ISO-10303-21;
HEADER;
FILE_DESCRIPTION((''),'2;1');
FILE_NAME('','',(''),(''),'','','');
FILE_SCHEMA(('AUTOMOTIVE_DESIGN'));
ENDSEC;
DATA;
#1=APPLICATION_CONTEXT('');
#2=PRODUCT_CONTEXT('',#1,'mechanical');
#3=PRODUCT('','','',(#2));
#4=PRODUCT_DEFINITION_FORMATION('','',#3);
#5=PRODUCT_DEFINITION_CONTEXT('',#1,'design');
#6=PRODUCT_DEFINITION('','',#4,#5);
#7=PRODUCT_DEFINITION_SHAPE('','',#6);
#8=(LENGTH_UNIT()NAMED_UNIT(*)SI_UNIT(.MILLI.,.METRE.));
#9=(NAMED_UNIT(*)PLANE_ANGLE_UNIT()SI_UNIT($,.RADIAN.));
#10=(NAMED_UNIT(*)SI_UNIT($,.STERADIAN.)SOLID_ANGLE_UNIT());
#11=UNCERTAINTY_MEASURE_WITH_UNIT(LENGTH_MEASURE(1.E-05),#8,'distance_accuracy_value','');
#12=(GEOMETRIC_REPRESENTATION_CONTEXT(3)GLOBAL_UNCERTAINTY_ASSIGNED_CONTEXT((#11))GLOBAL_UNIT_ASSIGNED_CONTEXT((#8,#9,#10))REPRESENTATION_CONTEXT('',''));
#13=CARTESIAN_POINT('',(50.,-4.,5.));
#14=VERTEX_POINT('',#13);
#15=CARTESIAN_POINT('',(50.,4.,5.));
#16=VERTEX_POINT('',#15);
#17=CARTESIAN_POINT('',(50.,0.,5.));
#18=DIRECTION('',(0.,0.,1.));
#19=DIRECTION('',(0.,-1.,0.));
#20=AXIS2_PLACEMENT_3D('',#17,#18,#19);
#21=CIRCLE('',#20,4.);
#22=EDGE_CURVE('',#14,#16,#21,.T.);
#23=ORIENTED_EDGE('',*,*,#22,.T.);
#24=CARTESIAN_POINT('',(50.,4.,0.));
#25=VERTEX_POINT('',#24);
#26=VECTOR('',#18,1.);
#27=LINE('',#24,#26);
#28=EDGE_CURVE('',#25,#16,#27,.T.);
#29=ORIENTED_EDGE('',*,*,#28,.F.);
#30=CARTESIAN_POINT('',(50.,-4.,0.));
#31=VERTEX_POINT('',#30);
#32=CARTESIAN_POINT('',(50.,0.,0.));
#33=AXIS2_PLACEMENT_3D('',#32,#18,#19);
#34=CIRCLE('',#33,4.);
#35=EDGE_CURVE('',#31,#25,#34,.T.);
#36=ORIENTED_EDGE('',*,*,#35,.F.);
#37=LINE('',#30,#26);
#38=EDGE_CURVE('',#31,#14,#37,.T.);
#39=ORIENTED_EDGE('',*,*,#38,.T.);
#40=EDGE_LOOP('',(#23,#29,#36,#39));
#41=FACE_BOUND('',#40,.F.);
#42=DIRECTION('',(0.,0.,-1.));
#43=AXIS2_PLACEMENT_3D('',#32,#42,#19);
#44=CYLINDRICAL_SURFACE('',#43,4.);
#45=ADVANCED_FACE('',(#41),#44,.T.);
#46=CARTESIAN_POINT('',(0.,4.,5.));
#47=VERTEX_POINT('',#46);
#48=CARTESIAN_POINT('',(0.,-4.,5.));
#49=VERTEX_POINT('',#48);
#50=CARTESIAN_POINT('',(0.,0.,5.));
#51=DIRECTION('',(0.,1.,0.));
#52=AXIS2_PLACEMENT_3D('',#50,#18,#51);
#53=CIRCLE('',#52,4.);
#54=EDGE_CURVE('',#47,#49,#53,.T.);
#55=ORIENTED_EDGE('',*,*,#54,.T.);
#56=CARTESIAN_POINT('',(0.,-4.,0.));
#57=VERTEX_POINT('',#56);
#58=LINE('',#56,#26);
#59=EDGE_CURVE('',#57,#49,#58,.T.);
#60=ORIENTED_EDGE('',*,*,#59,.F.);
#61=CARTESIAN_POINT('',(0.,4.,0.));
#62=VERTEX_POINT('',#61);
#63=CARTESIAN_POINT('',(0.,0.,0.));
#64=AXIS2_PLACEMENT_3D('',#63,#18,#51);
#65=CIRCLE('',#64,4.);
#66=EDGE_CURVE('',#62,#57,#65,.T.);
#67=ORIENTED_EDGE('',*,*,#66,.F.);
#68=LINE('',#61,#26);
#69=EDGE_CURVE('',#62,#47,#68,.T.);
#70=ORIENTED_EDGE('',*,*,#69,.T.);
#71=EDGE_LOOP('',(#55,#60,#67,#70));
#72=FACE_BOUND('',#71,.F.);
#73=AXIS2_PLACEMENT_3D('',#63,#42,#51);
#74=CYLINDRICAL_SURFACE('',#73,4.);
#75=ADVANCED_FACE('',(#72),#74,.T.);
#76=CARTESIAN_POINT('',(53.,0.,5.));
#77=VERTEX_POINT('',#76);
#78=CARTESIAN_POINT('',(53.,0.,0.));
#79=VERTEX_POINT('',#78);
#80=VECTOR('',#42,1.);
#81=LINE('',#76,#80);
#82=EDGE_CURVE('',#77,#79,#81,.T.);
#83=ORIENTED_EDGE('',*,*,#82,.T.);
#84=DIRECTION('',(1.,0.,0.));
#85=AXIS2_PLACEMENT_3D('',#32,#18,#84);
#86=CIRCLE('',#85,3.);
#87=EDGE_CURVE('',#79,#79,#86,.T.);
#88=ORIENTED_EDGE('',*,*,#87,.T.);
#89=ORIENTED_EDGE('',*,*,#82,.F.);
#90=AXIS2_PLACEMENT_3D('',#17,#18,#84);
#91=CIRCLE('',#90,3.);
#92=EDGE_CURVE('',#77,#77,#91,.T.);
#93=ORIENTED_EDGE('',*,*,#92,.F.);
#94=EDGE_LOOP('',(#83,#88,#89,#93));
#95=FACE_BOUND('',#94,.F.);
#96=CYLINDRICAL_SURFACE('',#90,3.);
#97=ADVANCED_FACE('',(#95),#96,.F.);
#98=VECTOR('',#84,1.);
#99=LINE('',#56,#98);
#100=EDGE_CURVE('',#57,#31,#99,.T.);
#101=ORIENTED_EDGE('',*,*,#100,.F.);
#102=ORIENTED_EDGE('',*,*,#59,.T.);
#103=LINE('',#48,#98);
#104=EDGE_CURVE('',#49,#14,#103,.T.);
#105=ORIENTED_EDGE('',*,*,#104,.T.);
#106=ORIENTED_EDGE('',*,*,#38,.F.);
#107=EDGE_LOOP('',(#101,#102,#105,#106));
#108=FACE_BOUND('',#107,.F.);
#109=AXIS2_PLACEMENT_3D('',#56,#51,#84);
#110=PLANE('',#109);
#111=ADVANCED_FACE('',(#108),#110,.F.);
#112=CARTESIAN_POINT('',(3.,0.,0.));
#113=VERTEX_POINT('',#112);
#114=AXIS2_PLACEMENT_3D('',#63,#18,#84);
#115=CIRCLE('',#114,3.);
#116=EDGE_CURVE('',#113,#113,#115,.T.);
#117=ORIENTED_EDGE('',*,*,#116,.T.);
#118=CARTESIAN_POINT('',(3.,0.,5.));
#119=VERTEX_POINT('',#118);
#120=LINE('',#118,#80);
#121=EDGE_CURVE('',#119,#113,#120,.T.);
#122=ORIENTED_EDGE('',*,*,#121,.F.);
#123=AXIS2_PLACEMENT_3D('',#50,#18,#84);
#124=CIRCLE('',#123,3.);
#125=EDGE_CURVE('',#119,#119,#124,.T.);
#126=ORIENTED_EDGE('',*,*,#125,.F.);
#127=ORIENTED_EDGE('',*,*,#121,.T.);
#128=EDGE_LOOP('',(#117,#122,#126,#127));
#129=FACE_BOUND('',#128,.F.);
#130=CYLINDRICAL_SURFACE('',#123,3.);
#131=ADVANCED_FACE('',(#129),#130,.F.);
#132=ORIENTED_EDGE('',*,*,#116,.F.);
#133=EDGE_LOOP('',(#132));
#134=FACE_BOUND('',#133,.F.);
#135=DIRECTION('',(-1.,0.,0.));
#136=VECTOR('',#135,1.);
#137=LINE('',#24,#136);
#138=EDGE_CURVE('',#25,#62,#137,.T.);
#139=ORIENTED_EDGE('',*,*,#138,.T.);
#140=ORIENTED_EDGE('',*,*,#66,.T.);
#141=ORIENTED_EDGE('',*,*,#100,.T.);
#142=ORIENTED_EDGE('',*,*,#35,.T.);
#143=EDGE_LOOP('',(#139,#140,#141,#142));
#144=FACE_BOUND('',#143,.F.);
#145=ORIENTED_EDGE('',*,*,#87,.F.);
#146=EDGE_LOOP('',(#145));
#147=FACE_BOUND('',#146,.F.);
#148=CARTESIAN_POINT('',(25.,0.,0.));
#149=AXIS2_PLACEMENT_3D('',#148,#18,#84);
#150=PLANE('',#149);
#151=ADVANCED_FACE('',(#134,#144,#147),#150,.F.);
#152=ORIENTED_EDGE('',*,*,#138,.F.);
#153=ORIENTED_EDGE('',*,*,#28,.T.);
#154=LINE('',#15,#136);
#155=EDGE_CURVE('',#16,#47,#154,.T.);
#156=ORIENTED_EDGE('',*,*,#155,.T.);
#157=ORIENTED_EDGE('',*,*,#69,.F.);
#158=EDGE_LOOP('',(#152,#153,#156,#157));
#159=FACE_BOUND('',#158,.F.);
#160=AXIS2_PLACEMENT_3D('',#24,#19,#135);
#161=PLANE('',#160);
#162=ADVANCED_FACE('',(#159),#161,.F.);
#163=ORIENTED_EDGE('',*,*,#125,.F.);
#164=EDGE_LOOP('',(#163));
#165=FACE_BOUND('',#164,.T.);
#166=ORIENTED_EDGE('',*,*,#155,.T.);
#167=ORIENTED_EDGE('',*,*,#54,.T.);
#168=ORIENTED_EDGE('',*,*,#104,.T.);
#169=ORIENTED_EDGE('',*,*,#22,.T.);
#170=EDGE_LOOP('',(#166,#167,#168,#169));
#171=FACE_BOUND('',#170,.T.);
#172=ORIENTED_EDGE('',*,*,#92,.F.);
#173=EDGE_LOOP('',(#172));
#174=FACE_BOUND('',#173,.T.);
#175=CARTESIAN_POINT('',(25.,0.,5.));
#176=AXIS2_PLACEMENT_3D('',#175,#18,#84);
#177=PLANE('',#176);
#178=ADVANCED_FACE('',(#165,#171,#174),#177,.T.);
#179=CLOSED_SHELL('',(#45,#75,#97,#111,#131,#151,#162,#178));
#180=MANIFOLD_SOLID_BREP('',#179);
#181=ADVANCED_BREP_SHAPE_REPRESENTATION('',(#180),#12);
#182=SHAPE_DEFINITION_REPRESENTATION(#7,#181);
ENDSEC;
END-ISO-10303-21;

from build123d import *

# Parameters (mm, degrees)
F1_DEPTH = 5
F2_R     = 3
F3_DEPTH = 5
F4_R     = 3
F5_DEPTH = 5


with BuildPart() as f1:
    # F0 (on Top) → F1 (new body)
    with BuildSketch(Plane.XY):
        with BuildLine():
            ThreePointArc((0, 4), (-4, 0), (0, -4))
            Line((0, -4), (50, -4))
            ThreePointArc((50, -4), (54, 0), (50, 4))
            Line((50, 4), (0, 4))
        make_face()
    extrude(amount=F1_DEPTH)

    # F2 (on face) → F3 (cut, through all)
    with BuildSketch(Plane.XY.offset(5)):
        Circle(F2_R)
    extrude(amount=-F3_DEPTH, mode=Mode.SUBTRACT)

    # F4 (on face) → F5 (cut, through all)
    with BuildSketch(Plane.XY.offset(5)):
        with Locations((50, 0)):
            Circle(F4_R)
    extrude(amount=-F5_DEPTH, mode=Mode.SUBTRACT)


solid = f1.part
